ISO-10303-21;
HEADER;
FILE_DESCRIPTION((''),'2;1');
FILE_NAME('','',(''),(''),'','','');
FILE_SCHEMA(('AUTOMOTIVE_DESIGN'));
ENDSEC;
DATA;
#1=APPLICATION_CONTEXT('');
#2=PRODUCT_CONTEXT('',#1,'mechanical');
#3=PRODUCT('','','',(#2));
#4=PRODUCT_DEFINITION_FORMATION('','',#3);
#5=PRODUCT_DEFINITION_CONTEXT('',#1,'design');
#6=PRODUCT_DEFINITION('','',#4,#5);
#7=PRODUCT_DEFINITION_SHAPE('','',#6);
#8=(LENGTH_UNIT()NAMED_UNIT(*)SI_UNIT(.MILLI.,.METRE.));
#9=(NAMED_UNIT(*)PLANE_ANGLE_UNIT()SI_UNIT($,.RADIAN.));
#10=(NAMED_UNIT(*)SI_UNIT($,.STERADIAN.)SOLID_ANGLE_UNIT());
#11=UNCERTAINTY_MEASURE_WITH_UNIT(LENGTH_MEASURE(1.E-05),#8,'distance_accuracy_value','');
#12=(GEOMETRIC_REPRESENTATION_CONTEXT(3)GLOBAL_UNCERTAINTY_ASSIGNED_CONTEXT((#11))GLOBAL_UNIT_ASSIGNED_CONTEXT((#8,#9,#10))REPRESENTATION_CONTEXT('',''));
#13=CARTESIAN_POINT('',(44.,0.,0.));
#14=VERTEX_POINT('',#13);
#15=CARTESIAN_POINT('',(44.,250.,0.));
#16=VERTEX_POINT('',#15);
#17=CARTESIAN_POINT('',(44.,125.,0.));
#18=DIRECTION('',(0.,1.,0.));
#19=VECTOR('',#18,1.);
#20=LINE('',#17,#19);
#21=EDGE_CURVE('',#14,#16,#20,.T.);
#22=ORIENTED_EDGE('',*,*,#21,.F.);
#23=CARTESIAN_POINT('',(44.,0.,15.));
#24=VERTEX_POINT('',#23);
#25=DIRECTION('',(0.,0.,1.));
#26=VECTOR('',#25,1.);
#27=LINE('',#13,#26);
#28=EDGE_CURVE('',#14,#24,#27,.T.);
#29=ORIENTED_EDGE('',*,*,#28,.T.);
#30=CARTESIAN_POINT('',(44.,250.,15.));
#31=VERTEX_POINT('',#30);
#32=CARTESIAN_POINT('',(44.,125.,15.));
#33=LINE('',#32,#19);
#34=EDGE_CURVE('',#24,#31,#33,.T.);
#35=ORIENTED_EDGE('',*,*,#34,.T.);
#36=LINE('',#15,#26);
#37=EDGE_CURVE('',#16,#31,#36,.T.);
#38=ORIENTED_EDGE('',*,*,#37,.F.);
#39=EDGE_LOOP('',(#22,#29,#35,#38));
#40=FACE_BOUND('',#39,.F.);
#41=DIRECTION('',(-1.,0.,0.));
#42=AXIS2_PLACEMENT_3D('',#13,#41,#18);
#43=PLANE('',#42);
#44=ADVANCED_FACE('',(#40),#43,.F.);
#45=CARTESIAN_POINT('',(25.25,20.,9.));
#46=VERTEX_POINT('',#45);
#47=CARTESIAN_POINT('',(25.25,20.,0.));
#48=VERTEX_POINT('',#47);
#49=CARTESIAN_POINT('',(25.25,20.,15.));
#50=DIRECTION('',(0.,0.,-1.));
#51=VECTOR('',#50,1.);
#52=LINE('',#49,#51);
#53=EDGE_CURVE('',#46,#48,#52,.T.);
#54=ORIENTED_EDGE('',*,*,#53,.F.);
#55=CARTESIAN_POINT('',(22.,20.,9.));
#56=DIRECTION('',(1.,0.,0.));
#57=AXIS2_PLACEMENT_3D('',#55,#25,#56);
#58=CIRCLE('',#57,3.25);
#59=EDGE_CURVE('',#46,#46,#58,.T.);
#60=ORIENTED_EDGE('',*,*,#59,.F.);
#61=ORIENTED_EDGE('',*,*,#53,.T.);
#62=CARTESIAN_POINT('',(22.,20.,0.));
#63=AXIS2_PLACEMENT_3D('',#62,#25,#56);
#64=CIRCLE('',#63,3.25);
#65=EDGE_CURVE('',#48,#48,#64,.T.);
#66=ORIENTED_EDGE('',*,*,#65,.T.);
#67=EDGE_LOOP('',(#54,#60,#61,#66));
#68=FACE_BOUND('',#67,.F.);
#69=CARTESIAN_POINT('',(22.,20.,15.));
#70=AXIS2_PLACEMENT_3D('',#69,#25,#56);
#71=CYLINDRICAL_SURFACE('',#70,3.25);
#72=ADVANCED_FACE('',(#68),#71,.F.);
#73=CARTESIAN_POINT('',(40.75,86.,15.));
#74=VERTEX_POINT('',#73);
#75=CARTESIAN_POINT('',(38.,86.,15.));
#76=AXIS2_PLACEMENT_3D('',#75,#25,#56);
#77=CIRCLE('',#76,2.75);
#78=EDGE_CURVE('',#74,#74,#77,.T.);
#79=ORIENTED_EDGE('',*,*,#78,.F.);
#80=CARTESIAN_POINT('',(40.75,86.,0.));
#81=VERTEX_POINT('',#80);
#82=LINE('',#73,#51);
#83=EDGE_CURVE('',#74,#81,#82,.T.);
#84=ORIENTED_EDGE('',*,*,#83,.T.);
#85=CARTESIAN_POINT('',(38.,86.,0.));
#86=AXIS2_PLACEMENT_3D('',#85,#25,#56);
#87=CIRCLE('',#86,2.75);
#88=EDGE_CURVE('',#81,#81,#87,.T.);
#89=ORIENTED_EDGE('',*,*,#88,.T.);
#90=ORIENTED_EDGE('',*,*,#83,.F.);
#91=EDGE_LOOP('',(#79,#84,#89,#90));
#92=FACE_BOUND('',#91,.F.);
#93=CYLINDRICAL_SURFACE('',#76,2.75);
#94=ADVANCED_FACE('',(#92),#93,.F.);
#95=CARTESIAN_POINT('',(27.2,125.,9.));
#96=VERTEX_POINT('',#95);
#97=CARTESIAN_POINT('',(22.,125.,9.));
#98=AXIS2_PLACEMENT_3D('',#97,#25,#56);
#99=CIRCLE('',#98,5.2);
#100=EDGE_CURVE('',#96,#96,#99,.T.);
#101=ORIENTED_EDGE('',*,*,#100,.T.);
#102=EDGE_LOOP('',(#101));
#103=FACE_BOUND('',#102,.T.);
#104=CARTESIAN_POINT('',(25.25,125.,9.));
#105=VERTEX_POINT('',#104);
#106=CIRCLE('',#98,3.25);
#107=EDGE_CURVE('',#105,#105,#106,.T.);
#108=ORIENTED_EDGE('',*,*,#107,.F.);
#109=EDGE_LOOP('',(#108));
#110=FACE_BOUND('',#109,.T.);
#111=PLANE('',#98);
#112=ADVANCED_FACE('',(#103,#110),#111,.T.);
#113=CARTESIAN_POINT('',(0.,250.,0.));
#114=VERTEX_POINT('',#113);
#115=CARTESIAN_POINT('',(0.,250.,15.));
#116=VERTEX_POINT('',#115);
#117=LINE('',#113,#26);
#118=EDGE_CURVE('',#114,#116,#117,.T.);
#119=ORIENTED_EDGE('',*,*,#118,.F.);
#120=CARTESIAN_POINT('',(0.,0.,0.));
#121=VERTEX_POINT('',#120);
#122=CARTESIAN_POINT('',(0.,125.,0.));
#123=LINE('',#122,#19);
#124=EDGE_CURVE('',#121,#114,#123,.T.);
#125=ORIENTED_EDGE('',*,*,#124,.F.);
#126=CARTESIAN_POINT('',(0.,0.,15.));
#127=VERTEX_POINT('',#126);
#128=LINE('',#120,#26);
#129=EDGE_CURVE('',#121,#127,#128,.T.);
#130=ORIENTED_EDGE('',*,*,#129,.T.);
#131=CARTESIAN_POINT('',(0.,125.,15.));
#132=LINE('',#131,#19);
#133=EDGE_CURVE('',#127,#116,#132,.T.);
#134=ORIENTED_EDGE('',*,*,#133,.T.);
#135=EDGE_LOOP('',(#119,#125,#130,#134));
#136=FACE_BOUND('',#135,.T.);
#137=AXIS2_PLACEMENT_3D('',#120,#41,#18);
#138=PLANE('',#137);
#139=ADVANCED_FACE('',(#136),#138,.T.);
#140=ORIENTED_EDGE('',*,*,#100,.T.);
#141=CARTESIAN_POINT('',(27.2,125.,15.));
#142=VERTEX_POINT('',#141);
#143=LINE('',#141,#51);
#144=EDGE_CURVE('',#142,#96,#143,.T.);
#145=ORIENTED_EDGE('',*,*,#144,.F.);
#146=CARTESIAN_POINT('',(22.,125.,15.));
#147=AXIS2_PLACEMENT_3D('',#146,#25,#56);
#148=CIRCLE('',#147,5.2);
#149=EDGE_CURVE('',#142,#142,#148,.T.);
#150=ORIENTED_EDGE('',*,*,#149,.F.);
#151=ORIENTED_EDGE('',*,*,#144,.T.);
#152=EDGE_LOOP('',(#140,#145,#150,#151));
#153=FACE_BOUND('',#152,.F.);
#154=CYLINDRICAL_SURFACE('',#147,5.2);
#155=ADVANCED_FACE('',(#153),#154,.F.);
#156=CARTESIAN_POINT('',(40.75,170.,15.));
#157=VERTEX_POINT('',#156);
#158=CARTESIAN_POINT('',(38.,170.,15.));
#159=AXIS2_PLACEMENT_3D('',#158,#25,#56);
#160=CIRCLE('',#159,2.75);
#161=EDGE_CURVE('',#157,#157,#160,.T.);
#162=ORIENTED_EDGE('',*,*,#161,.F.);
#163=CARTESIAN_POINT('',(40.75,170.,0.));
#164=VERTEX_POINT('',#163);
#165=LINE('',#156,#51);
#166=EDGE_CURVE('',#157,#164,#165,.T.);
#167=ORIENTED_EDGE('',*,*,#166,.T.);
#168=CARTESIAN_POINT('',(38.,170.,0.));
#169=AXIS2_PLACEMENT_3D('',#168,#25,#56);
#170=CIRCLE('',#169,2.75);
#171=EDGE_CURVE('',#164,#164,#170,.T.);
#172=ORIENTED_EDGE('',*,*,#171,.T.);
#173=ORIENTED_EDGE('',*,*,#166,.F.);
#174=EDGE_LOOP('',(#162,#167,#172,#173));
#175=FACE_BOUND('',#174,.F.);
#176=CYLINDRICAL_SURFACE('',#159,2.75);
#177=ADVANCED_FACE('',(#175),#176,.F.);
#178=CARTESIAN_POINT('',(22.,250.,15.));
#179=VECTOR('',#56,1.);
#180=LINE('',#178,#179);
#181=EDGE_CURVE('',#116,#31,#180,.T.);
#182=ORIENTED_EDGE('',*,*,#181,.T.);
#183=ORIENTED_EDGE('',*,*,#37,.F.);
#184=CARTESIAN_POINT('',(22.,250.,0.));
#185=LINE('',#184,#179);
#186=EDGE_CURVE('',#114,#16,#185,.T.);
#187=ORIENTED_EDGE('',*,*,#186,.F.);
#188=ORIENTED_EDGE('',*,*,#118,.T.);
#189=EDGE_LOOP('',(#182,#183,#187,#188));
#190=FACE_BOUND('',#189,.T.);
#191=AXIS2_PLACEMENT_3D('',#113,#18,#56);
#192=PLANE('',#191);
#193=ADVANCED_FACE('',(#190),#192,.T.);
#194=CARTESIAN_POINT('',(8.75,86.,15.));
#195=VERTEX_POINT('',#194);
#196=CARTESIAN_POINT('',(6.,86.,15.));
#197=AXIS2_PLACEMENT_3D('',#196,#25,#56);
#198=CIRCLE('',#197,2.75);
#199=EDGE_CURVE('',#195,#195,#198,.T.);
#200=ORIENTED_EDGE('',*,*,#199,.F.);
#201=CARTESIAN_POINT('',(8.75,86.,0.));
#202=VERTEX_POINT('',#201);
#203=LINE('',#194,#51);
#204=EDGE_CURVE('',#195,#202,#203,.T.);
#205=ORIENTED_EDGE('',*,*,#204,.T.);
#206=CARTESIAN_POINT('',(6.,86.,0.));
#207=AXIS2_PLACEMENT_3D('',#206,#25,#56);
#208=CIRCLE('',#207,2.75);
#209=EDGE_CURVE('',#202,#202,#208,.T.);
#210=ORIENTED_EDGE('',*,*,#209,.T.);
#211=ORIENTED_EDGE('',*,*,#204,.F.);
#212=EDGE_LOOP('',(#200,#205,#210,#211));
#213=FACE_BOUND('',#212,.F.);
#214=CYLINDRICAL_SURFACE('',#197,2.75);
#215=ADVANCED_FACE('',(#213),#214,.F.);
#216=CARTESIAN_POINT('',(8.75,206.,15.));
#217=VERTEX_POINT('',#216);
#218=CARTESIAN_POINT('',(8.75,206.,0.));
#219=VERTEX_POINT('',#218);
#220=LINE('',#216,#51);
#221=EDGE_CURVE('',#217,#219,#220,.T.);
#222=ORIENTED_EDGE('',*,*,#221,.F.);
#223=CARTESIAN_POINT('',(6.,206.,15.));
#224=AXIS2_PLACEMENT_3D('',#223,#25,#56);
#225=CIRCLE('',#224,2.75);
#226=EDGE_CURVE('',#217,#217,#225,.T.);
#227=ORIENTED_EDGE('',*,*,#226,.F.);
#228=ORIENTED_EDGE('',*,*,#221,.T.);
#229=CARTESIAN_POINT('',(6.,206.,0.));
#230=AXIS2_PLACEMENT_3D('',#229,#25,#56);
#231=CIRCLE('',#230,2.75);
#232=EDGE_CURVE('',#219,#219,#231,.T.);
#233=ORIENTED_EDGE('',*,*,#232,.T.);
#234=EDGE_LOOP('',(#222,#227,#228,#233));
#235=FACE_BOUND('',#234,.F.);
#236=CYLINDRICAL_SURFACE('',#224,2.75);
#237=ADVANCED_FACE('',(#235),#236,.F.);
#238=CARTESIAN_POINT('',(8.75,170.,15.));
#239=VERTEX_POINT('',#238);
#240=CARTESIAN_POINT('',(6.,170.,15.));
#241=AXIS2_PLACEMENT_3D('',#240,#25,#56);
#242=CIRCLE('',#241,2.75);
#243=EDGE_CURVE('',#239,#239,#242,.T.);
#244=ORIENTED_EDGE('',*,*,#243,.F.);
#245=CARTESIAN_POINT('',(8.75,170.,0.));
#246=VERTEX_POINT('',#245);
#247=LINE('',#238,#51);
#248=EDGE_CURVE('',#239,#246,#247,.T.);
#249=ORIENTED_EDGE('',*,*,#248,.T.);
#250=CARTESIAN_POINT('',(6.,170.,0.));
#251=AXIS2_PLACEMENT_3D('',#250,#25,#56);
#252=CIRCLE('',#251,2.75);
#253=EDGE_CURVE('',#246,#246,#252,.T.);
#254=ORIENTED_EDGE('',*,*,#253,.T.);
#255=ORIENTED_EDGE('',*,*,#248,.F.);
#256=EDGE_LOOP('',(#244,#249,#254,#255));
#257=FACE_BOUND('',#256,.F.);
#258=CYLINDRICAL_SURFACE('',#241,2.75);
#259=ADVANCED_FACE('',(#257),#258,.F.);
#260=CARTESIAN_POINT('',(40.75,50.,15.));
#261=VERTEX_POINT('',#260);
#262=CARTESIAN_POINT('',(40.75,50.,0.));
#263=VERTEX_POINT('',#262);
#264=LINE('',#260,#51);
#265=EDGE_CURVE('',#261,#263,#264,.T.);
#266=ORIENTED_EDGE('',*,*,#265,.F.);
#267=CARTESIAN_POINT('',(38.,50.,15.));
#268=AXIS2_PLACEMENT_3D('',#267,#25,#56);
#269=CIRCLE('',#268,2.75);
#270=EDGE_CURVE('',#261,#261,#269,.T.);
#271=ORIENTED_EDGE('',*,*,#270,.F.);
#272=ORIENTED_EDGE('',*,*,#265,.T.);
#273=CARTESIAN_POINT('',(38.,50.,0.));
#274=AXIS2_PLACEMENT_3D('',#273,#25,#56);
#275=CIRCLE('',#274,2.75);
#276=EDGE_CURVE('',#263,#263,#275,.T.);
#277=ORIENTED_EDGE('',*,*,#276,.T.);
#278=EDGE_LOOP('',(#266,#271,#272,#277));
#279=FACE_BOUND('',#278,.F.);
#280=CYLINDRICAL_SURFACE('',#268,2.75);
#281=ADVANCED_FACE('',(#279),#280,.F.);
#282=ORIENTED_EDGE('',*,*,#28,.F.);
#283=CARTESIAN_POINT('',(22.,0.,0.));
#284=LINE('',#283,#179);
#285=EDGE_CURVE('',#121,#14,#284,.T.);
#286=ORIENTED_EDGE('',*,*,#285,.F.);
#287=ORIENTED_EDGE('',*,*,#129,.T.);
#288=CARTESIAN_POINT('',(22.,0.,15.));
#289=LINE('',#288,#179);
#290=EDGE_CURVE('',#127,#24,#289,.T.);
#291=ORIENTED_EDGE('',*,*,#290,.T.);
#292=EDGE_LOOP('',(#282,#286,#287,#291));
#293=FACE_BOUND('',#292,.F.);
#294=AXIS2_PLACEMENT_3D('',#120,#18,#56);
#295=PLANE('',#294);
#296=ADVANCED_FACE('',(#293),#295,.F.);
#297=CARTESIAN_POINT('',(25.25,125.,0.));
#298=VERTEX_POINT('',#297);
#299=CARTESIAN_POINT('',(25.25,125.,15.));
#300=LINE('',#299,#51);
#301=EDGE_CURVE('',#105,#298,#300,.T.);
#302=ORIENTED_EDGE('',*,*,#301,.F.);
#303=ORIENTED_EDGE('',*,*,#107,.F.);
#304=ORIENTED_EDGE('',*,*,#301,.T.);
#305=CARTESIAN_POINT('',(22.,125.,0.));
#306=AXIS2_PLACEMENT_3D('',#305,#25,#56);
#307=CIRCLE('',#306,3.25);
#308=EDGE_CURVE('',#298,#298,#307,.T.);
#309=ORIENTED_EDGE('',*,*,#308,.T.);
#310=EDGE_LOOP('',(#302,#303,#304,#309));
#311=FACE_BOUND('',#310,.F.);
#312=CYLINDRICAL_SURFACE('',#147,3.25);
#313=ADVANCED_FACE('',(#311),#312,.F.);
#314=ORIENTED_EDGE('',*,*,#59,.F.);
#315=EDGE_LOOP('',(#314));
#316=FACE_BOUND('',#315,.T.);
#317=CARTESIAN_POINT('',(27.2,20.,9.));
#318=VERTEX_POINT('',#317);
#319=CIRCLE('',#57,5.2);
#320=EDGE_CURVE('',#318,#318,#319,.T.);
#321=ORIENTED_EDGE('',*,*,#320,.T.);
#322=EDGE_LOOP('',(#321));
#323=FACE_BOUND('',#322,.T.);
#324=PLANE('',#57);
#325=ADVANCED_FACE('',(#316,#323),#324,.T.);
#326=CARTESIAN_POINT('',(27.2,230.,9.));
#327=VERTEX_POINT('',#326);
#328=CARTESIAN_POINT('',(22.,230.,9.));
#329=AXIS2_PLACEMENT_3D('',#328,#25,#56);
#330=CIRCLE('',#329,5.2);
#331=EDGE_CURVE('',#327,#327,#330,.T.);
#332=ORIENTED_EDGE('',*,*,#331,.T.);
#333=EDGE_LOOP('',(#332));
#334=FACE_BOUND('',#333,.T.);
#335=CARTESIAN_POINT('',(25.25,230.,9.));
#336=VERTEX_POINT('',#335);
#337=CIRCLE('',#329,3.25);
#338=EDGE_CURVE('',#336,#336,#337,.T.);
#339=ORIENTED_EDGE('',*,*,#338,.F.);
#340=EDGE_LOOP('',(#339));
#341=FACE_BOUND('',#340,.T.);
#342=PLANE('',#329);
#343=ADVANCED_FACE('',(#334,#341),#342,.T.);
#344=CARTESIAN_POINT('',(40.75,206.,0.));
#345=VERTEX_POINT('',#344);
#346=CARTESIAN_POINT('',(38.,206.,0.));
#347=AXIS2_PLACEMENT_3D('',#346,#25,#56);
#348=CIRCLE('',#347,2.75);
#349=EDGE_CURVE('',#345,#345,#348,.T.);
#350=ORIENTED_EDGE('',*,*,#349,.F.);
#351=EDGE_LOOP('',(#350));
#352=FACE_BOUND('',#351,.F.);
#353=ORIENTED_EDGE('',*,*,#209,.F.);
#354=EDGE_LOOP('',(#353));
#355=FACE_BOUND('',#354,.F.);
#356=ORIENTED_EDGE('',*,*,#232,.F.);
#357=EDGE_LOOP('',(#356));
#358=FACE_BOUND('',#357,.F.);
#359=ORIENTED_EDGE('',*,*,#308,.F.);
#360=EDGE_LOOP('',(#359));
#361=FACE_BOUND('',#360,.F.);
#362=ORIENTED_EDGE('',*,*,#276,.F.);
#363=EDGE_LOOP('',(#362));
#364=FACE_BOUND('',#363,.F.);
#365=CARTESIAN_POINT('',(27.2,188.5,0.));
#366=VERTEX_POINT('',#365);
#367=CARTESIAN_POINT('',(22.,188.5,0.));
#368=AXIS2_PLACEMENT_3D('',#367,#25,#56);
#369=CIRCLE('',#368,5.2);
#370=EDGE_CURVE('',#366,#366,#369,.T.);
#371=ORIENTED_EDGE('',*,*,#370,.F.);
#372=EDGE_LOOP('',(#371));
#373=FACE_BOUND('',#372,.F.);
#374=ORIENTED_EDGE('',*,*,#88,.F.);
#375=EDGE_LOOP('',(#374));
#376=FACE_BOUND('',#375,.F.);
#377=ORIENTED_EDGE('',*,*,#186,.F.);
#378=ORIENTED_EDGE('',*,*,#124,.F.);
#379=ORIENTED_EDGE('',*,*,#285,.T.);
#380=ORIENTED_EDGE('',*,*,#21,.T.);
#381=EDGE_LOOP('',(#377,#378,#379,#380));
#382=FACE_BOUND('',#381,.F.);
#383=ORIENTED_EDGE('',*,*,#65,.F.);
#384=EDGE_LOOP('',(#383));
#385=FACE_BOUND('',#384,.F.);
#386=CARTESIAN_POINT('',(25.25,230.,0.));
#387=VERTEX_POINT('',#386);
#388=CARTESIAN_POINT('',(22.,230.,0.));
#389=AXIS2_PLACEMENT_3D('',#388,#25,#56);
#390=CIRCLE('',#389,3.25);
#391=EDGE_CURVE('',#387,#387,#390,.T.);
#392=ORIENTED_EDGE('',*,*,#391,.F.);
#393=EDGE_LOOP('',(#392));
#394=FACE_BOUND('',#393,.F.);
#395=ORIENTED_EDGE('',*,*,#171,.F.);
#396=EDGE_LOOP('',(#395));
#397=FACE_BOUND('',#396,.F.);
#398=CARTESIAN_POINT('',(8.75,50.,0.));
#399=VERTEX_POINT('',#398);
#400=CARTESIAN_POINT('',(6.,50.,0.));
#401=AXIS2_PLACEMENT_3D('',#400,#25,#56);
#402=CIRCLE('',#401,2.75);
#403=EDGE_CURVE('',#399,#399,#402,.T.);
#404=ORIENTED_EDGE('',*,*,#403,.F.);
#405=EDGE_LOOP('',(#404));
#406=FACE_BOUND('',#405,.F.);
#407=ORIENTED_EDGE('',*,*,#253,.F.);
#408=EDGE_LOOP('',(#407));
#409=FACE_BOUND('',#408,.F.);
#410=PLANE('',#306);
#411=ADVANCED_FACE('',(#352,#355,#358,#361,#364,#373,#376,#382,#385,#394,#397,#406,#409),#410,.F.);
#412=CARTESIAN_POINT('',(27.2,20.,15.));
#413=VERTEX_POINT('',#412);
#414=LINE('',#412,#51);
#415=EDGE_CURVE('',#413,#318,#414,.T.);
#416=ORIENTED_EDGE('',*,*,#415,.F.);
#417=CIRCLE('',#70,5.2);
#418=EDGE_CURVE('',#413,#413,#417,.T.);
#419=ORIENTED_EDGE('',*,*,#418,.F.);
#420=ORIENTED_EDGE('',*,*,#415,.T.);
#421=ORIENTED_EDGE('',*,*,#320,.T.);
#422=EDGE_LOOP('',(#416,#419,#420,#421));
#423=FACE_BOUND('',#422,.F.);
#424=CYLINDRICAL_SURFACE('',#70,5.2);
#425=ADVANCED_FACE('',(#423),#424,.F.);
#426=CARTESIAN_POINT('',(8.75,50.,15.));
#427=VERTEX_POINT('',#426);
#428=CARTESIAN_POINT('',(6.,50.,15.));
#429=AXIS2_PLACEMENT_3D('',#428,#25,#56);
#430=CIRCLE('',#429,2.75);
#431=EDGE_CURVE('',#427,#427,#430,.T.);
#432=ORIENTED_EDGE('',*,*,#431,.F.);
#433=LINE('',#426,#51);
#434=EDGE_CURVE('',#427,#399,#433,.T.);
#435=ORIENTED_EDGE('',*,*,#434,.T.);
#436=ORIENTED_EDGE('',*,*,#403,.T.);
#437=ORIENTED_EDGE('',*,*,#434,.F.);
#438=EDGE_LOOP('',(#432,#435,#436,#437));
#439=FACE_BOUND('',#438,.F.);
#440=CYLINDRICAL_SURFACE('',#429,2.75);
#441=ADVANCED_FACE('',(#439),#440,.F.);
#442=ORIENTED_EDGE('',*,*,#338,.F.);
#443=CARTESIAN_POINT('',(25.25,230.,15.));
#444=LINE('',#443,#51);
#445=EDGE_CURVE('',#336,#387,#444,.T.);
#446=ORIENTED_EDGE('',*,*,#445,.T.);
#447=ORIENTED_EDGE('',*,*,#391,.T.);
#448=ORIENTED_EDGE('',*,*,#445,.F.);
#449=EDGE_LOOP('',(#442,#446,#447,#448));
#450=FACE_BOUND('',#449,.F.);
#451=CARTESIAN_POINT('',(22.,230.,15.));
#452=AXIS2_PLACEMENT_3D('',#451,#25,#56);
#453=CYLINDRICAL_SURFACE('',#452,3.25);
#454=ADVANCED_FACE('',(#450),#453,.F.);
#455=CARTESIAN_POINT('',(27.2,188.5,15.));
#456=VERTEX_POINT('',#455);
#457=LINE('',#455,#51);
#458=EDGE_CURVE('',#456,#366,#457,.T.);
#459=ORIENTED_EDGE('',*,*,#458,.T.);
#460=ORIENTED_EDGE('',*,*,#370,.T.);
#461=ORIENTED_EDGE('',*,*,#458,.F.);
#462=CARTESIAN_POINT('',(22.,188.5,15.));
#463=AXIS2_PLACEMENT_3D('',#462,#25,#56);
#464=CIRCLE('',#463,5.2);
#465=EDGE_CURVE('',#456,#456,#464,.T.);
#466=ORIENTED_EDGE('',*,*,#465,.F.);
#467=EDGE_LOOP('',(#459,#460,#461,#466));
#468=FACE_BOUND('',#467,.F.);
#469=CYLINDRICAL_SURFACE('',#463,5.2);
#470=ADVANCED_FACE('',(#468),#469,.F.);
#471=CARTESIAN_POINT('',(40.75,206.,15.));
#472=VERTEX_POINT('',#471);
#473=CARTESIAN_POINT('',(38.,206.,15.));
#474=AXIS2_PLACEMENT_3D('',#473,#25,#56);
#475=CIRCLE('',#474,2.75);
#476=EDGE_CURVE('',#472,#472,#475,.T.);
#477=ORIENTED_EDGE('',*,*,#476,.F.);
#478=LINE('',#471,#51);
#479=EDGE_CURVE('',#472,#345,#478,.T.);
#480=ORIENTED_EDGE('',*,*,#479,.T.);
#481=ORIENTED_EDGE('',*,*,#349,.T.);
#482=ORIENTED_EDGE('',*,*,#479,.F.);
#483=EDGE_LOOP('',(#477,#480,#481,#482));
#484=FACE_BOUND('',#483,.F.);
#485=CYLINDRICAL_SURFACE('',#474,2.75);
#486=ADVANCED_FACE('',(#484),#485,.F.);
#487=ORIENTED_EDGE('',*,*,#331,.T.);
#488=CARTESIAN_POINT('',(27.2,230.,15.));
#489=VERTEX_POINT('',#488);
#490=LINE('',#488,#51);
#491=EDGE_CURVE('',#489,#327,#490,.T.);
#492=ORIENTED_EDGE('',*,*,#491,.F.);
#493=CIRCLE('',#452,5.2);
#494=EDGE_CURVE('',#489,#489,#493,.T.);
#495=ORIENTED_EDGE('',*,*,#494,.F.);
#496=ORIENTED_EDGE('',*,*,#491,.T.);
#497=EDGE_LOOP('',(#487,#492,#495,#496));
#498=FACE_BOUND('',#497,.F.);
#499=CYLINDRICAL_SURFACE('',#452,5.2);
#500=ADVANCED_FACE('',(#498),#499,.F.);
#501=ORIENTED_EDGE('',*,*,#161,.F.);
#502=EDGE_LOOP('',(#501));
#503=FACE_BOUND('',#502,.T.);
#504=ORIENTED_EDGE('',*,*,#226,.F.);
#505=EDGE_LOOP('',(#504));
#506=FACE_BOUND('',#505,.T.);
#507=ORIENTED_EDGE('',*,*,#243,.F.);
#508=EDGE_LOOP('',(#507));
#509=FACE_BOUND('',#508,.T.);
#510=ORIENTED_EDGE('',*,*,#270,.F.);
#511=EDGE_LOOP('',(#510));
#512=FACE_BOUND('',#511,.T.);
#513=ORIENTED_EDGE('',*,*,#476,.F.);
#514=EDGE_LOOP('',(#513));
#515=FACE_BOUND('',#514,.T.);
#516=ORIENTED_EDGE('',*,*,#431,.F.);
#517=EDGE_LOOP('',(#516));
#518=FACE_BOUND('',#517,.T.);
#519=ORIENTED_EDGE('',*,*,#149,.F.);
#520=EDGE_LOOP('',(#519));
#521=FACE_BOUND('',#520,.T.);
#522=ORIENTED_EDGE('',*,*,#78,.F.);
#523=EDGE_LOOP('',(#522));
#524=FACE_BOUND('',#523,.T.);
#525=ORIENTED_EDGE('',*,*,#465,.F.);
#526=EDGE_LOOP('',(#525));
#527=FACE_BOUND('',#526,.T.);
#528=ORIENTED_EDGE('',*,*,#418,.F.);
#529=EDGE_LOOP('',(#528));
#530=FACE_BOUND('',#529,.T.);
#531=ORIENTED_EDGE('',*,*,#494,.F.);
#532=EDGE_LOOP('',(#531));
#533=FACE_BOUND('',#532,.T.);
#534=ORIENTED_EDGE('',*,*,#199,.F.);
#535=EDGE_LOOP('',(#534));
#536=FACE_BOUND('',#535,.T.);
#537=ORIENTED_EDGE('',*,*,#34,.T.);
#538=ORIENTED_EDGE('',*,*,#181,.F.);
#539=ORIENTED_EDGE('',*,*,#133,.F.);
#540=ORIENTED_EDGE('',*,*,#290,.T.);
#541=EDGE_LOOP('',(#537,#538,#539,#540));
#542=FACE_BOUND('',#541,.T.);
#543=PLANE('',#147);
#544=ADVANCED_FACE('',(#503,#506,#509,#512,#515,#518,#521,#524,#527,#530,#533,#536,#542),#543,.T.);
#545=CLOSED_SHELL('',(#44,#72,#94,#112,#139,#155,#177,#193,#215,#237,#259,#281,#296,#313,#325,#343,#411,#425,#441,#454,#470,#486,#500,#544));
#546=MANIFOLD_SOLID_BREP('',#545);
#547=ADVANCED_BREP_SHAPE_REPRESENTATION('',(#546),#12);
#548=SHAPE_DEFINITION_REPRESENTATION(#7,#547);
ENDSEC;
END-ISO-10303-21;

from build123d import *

# Parameters (mm, degrees)
SKETCH_W        = 44
SKETCH_H        = 250
PAD_DEPTH       = 15
SKETCH001_R     = 3.25
POCKET_DEPTH    = 15
SKETCH002_R     = 2.75
POCKET001_DEPTH = 15
SKETCH003_R     = 5.2
POCKET002_DEPTH = 6
SKETCH004_R     = 5.2
POCKET003_DEPTH = 15


with BuildPart() as part:
    # Sketch → Pad (new body)
    with BuildSketch(Plane.XY):
        with Locations((22, 125)):
            Rectangle(SKETCH_W, SKETCH_H)
    extrude(amount=PAD_DEPTH)

    # Sketch001 (on Face6 of Pad) → Pocket (cut)
    with BuildSketch(Plane.XY.offset(15)):
        with Locations((22, 230)):
            Circle(SKETCH001_R)
        with Locations((22, 125)):
            Circle(SKETCH001_R)
        with Locations((22, 20)):
            Circle(SKETCH001_R)
    extrude(amount=-POCKET_DEPTH, mode=Mode.SUBTRACT)

    # Sketch002 (on Face5 of Pocket) → Pocket001 (cut)
    with BuildSketch(Plane.XY.offset(15)):
        with Locations((6, 206)):
            Circle(SKETCH002_R)
        with Locations((38, 206)):
            Circle(SKETCH002_R)
        with Locations((6, 170)):
            Circle(SKETCH002_R)
        with Locations((38, 170)):
            Circle(SKETCH002_R)
        with Locations((6, 86)):
            Circle(SKETCH002_R)
        with Locations((38, 86)):
            Circle(SKETCH002_R)
        with Locations((6, 50)):
            Circle(SKETCH002_R)
        with Locations((38, 50)):
            Circle(SKETCH002_R)
    extrude(amount=-POCKET001_DEPTH, mode=Mode.SUBTRACT)

    # Sketch003 (on Face5 of Pocket001) → Pocket002 (cut)
    with BuildSketch(Plane.XY.offset(15)):
        with Locations((22, 20)):
            Circle(SKETCH003_R)
        with Locations((22, 125)):
            Circle(SKETCH003_R)
        with Locations((22, 230)):
            Circle(SKETCH003_R)
    extrude(amount=-POCKET002_DEPTH, mode=Mode.SUBTRACT)

    # Sketch004 (on Face5 of Pocket002) → Pocket003 (cut)
    with BuildSketch(Plane.XY.offset(15)):
        with Locations((22, 188.5)):
            Circle(SKETCH004_R)
    extrude(amount=-POCKET003_DEPTH, mode=Mode.SUBTRACT)


solid = part.part
